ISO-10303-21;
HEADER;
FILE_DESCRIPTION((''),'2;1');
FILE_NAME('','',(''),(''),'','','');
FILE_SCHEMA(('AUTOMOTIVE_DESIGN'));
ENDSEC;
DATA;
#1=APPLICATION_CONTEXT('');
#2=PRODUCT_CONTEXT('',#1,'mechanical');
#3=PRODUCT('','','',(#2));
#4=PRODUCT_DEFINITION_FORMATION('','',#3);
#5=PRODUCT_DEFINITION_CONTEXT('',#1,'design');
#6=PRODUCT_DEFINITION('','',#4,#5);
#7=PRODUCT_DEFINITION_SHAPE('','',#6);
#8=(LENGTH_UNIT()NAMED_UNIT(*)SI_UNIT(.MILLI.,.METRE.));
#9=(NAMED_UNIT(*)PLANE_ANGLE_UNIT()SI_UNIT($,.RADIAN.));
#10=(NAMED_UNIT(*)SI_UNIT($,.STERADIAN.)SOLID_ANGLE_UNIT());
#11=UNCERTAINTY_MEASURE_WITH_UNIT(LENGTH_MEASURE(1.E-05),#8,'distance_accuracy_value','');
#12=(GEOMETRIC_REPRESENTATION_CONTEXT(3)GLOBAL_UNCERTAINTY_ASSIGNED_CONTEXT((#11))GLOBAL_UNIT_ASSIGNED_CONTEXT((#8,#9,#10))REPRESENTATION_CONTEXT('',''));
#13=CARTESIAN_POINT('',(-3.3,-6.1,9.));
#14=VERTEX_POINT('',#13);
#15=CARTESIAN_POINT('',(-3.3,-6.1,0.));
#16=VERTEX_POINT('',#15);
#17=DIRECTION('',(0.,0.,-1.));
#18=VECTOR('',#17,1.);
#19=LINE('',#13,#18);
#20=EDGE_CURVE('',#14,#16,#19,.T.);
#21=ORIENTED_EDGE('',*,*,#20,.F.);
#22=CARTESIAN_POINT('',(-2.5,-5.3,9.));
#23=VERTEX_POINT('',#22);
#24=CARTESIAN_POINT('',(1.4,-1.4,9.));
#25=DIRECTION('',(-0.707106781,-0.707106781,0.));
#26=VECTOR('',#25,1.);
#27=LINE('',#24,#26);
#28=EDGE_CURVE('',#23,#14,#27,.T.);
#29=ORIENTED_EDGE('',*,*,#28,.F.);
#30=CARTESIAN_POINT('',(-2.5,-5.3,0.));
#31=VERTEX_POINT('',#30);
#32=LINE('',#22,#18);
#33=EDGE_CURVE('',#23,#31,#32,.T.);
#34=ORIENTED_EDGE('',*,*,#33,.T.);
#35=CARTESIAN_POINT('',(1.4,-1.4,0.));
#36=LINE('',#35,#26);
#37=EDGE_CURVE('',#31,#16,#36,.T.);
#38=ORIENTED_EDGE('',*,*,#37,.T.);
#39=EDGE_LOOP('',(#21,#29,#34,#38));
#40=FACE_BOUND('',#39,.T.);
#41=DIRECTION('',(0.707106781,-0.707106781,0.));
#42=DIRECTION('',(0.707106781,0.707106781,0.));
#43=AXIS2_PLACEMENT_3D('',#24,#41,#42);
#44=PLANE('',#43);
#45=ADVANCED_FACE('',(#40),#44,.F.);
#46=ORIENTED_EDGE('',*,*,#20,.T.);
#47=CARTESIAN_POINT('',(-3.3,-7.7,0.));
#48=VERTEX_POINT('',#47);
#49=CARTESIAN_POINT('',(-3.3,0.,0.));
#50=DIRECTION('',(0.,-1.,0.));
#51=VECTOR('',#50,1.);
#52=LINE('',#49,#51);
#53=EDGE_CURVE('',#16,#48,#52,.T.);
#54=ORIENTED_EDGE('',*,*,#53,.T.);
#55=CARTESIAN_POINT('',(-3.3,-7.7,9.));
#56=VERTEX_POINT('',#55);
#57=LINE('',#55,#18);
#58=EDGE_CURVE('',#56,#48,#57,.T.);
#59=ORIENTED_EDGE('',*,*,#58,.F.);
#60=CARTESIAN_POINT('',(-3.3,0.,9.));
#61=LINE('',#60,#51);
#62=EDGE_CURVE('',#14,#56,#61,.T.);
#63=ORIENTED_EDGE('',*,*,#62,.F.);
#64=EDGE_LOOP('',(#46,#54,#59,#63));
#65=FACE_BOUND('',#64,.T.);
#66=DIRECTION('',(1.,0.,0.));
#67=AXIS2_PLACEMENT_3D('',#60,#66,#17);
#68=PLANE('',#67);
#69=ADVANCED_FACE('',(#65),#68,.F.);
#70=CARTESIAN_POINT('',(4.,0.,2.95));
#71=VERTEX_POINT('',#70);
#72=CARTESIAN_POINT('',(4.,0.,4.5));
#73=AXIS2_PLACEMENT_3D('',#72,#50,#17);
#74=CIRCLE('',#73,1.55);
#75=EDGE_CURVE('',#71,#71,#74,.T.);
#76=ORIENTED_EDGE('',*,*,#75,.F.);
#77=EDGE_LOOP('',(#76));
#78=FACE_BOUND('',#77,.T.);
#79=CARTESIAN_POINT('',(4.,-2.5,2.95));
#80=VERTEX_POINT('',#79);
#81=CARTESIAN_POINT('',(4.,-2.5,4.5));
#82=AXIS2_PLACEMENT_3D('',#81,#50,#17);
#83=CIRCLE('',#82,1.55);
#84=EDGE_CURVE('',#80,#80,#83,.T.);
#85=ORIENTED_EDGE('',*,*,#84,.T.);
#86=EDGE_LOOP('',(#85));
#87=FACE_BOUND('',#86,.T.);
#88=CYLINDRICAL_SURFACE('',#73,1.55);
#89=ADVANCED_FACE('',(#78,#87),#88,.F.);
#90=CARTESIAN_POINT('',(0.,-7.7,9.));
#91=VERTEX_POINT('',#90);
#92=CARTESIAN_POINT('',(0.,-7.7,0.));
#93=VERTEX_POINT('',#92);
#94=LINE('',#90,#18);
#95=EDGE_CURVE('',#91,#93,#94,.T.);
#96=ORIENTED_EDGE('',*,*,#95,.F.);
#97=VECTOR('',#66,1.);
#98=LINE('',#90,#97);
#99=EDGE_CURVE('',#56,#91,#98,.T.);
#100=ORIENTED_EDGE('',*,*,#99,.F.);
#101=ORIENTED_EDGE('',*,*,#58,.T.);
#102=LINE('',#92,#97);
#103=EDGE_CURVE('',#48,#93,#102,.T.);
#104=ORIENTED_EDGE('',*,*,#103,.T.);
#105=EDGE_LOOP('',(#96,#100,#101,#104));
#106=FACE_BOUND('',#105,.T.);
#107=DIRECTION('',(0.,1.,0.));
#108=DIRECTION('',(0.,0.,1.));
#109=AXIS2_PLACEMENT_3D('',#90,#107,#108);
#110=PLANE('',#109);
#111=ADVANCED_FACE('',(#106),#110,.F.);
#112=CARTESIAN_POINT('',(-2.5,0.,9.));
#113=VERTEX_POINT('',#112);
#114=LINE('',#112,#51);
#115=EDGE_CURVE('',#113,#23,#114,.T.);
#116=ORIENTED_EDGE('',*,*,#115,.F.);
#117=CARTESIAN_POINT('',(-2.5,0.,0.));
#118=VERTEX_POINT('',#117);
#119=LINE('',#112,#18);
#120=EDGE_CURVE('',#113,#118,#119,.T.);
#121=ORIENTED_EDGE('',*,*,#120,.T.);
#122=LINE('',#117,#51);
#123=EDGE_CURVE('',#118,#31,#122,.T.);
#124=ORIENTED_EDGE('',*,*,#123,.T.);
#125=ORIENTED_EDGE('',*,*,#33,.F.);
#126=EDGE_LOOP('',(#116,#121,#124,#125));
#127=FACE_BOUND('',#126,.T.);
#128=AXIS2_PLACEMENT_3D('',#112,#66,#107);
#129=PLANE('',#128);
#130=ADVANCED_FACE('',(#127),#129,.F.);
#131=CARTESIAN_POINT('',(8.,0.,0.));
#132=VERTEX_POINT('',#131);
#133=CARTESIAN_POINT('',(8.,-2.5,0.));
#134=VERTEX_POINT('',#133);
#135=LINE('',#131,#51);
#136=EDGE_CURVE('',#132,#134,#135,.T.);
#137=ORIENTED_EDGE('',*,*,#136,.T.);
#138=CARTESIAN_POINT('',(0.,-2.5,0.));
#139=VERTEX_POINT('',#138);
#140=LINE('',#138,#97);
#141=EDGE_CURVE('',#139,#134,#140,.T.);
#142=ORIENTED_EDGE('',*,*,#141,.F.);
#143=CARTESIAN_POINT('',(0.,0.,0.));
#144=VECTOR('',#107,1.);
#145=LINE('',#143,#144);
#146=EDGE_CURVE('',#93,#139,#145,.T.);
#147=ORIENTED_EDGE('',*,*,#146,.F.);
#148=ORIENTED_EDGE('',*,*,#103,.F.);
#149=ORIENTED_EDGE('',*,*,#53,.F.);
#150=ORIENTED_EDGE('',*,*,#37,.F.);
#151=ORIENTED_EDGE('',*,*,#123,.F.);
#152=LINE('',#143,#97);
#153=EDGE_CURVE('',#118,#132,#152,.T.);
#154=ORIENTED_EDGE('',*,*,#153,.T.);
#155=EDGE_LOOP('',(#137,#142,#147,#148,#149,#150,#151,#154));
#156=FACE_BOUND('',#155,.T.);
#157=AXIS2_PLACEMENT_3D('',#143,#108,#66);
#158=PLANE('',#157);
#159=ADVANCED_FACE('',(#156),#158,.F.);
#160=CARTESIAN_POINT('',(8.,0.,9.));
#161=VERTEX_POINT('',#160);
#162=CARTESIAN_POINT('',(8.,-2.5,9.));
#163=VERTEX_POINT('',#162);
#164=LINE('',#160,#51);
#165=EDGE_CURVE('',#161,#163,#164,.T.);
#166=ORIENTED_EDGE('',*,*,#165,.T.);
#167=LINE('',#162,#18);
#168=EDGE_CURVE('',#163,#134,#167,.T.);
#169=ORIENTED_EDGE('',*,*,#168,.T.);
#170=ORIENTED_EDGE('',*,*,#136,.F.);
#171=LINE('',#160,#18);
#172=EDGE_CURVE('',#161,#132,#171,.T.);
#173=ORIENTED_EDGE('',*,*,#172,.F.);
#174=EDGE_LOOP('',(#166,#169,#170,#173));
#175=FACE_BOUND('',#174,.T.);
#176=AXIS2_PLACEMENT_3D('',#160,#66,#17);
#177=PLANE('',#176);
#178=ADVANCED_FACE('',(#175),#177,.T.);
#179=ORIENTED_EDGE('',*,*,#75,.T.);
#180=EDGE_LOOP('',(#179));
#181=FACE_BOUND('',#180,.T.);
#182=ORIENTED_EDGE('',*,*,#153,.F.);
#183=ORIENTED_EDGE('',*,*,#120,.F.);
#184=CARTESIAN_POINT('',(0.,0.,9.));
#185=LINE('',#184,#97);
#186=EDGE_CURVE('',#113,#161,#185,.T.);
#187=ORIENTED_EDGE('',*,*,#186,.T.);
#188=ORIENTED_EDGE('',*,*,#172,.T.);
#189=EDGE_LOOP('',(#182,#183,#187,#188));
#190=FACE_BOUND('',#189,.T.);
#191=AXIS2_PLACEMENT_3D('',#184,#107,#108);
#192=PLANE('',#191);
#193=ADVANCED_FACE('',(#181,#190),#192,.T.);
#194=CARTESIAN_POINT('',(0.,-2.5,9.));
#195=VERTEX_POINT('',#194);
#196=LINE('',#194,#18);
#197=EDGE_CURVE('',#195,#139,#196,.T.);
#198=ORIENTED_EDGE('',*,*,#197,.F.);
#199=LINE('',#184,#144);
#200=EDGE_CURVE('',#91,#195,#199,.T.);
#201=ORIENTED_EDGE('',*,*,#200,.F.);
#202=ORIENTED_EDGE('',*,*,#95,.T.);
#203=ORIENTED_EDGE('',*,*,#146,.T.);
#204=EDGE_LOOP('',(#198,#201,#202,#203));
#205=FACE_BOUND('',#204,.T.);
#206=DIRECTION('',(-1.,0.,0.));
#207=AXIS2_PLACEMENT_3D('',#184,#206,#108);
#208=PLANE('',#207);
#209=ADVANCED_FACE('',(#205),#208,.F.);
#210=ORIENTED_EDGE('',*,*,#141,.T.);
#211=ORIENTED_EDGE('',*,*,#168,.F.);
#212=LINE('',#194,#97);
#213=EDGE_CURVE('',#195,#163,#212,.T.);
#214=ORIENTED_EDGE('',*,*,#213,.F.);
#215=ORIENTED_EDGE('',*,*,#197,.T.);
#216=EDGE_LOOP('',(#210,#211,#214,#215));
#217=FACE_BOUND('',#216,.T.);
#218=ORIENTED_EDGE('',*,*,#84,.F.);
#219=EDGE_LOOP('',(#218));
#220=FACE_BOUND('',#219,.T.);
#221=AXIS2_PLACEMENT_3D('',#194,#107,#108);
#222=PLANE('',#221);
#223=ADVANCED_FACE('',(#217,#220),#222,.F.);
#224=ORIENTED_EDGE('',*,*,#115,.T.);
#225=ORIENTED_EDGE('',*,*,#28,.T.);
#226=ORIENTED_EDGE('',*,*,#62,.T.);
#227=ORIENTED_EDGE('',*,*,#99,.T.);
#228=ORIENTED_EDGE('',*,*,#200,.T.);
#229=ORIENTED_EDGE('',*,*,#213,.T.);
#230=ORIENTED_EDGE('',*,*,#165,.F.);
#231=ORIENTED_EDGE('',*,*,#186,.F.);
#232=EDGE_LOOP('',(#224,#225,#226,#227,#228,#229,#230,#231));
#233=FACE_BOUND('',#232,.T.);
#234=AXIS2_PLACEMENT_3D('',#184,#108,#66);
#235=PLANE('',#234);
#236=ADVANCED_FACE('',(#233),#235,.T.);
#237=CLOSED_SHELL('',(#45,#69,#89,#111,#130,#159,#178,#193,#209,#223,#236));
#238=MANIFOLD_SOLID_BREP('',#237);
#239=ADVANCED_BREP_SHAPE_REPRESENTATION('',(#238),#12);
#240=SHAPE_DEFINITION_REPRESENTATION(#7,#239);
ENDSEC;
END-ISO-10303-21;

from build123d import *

# Parameters (mm, degrees)
SKETCH1_W           = 8
SKETCH1_H           = 2.5
BOSS_EXTRUDE1_DEPTH = 9
SKETCH2_R           = 1.55
CUT_EXTRUDE1_DEPTH  = 3.5


with BuildPart() as part:
    # Sketch1 → Boss-Extrude1 (new body)
    with BuildSketch(Plane.XY):
        with Locations((4, -1.25)):
            Rectangle(SKETCH1_W, SKETCH1_H)
        Polygon((0, -7.7), (0, 0), (-2.5, 0), (-2.5, -5.3), (-3.3, -6.1), (-3.3, -7.7), align=None)
    extrude(amount=BOSS_EXTRUDE1_DEPTH)

    # Sketch2 → Cut-Extrude1 (cut, through all)
    with BuildSketch(Plane.XZ.offset(2.5)):
        with Locations((4, 4.5)):
            Circle(SKETCH2_R)
    extrude(amount=-CUT_EXTRUDE1_DEPTH, mode=Mode.SUBTRACT)


solid = part.part
